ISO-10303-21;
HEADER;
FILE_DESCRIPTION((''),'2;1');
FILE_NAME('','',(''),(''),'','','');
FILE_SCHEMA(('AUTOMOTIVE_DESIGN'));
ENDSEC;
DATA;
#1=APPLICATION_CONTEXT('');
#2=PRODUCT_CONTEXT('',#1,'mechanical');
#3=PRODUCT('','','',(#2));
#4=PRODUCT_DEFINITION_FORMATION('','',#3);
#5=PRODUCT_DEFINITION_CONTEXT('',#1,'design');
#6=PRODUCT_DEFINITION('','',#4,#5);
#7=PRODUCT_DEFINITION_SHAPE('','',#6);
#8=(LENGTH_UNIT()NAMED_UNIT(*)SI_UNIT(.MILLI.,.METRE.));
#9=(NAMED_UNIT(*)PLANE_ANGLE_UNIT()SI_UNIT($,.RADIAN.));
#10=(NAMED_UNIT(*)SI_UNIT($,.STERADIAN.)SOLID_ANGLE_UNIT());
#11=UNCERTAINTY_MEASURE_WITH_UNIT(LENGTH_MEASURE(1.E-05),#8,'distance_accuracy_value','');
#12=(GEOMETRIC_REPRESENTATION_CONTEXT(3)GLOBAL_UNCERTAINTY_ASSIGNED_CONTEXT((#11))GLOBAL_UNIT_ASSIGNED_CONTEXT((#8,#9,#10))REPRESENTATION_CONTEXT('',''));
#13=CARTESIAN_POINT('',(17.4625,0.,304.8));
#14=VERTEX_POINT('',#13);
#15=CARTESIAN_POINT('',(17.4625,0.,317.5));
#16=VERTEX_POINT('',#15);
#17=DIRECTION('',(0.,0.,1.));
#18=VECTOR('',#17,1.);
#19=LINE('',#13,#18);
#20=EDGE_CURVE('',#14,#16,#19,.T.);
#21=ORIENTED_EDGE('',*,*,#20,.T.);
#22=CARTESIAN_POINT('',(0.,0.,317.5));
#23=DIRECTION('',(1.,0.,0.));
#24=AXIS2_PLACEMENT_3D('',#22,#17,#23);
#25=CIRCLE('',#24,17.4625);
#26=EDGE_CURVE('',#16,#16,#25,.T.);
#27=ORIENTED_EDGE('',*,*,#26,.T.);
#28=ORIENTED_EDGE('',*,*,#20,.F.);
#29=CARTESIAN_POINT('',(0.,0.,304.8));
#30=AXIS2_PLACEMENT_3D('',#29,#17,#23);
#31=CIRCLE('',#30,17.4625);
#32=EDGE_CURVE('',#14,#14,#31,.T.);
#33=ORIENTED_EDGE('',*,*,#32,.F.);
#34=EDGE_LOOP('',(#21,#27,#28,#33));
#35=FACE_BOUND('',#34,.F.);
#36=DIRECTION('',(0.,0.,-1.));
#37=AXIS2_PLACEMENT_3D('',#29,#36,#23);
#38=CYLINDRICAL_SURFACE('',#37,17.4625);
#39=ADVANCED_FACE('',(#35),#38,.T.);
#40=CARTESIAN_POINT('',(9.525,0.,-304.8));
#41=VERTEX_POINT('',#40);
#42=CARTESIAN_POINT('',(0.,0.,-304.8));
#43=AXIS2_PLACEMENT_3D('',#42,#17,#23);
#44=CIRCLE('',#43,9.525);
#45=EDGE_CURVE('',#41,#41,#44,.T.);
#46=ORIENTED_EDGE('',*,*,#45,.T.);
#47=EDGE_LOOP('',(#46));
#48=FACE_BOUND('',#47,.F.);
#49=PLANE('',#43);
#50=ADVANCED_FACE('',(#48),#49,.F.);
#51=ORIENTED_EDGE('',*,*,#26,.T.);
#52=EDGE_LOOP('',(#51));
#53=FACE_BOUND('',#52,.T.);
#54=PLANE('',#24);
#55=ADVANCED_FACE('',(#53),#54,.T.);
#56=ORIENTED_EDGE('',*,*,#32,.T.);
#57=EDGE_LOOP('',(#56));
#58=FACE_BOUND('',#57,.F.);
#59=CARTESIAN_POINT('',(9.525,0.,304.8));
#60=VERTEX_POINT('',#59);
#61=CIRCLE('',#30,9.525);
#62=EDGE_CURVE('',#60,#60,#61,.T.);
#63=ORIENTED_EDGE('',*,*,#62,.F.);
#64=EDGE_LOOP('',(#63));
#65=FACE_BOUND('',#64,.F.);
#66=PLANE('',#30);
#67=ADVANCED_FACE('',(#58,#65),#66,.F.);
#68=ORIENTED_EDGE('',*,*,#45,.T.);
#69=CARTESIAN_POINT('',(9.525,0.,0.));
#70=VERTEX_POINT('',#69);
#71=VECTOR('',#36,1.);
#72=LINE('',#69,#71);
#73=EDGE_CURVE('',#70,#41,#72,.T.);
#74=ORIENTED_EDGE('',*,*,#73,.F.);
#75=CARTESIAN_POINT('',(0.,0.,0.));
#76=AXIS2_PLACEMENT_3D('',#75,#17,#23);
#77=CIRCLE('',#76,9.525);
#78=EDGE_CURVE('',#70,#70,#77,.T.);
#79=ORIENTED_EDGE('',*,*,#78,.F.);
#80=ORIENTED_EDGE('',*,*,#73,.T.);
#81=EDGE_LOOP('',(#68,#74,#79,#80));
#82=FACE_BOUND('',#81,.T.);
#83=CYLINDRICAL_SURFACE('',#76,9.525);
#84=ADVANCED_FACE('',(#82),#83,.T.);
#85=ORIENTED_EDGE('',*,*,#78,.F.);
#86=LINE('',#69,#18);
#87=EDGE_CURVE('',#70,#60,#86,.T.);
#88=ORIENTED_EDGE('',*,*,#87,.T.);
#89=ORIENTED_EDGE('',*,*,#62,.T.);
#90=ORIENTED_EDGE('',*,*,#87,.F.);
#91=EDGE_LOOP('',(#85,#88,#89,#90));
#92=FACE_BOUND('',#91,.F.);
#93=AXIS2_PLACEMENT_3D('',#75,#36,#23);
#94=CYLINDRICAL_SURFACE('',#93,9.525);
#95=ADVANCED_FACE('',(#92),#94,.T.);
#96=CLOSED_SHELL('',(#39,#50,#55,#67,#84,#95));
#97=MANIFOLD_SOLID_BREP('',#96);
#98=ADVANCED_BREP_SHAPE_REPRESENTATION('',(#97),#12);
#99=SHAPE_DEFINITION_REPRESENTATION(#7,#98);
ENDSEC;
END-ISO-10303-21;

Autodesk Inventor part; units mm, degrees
ref_plane "YZ Plane" through (0, 0, 0) normal (1, 0, 0) x (0, 1, 0)
ref_plane "XZ Plane" through (0, 0, 0) normal (0, 1, 0) x (-1, 0, 0)
ref_plane "XY Plane" through (0, 0, 0) normal (0, 0, 1) x (1, 0, 0)
sketch "Sketch1" plane through (0, 0, 0) normal (0, 0, 1) x (1, 0, 0)
  circle A0 centre (0, 0) radius 9.525
  dimension "d0" = 19.05
extrude "Extrusion1" add sketch "Sketch1" along normal mid plane 609.6
sketch "Sketch2" plane through (0, 0, 304.8) normal (0, 0, 1) x (1, 0, 0)
  circle A0 centre (0, 0) radius 9.525 projected
  circle A1 centre (0, 0) radius 17.4625
  dimension "d3" = 34.925
extrude "Extrusion2" add sketch "Sketch2" along normal blind 12.7 contours A0 | A1
properties part number "Plunger"
